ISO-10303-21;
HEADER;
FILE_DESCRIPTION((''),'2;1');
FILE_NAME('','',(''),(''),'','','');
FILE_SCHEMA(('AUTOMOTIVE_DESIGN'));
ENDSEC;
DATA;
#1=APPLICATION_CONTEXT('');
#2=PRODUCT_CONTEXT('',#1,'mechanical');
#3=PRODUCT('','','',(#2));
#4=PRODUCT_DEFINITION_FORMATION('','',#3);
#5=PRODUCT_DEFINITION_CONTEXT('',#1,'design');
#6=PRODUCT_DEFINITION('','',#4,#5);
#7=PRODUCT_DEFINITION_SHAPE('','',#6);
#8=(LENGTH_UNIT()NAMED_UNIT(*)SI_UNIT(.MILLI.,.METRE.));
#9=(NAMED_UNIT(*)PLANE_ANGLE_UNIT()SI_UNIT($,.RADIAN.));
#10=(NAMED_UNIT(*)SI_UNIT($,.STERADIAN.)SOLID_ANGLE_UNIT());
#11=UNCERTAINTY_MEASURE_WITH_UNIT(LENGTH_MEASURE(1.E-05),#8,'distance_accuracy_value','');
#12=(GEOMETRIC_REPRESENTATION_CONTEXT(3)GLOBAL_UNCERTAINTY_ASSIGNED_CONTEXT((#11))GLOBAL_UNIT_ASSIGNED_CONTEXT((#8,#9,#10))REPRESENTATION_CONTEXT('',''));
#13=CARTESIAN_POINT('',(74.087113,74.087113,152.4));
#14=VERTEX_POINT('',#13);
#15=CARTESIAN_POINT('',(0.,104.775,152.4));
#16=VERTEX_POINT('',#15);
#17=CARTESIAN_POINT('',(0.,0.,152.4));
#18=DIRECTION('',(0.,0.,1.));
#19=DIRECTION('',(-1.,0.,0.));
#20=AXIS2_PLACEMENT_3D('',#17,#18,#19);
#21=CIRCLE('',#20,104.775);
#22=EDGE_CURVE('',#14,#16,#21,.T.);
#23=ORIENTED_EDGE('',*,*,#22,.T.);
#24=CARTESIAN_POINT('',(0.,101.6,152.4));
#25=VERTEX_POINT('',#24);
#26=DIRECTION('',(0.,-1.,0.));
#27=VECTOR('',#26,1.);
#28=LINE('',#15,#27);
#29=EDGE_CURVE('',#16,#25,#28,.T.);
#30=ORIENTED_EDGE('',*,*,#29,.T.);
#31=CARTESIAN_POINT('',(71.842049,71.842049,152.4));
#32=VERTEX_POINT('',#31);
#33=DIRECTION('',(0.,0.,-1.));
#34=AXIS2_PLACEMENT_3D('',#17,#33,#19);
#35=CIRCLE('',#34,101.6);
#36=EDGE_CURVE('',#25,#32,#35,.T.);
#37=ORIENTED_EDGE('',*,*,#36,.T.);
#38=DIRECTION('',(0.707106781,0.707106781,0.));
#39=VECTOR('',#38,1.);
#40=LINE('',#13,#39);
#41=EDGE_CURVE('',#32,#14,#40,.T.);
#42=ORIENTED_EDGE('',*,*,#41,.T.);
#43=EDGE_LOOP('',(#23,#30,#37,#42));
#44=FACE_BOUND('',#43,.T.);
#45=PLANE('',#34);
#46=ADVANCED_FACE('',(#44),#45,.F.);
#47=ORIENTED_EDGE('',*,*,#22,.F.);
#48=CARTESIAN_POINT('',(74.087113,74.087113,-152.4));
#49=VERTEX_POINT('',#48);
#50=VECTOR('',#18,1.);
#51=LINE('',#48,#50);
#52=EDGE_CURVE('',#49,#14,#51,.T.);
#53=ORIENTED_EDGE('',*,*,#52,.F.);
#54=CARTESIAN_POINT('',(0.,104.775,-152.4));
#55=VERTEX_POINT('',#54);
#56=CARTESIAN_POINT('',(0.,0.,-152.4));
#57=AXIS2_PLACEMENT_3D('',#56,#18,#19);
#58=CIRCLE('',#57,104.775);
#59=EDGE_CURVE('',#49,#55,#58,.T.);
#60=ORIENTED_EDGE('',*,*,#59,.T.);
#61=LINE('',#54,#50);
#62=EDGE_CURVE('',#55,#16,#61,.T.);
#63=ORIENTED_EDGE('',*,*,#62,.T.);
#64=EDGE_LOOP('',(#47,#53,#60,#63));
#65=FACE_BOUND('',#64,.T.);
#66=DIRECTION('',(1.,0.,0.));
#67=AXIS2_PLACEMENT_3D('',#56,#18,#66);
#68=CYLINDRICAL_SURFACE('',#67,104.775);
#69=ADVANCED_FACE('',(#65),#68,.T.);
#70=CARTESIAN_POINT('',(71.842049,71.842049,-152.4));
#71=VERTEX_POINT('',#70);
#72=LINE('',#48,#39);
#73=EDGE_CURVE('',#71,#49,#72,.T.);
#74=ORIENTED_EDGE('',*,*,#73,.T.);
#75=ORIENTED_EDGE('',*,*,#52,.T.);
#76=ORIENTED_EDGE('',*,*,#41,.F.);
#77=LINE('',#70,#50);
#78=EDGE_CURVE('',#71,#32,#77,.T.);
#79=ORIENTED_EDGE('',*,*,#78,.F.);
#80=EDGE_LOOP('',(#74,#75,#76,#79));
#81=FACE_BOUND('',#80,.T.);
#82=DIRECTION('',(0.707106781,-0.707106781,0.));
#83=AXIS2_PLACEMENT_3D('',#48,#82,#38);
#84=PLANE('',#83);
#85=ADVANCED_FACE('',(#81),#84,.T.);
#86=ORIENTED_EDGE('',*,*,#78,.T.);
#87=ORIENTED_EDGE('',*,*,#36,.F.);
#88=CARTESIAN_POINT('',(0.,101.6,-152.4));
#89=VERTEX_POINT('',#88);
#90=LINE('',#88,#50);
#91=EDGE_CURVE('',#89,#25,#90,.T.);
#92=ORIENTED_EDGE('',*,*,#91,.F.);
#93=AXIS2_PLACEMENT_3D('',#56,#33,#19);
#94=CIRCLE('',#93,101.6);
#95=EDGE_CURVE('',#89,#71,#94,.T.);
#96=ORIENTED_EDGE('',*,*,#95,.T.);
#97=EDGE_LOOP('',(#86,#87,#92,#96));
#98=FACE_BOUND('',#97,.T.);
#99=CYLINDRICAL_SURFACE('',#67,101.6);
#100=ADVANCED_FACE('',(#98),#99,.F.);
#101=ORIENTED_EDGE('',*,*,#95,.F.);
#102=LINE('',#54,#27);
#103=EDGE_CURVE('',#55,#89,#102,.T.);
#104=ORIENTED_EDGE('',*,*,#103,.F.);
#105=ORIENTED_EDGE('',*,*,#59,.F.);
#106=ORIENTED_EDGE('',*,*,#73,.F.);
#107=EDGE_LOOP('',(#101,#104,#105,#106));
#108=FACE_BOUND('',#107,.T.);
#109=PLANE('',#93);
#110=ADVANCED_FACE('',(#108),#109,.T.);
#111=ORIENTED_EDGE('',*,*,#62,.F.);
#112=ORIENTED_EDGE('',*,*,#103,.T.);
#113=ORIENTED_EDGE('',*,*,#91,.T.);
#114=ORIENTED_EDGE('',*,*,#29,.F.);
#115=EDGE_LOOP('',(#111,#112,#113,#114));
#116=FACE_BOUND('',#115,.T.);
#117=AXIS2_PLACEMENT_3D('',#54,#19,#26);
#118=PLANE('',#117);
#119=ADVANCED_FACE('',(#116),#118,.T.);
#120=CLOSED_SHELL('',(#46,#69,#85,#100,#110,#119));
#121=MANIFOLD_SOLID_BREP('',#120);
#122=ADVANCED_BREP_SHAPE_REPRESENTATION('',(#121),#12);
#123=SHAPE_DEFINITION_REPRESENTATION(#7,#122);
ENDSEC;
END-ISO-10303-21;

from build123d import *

# Parameters (mm, degrees)
BOSS_EXTRUDE1_DEPTH      = 152.4
BOSS_EXTRUDE1_DEPTH_BACK = 152.4


with BuildPart() as part:
    # Sketch1 → Boss-Extrude1 (new, two sides: drawn at the far end of the back side and taken through both)
    with BuildSketch(Plane.XY.offset(-BOSS_EXTRUDE1_DEPTH_BACK)):
        with BuildLine():
            Line((0, 104.775), (0, 101.6))
            ThreePointArc((0, 101.6), (38.880636728, 93.866160503), (71.842048969, 71.842048969))
            Line((71.842048969, 71.842048969), (74.087112999, 74.087112999))
            ThreePointArc((74.087112999, 74.087112999), (40.095656626, 96.799478019), (0, 104.775))
        make_face()
    extrude(amount=BOSS_EXTRUDE1_DEPTH + BOSS_EXTRUDE1_DEPTH_BACK)


solid = part.part
